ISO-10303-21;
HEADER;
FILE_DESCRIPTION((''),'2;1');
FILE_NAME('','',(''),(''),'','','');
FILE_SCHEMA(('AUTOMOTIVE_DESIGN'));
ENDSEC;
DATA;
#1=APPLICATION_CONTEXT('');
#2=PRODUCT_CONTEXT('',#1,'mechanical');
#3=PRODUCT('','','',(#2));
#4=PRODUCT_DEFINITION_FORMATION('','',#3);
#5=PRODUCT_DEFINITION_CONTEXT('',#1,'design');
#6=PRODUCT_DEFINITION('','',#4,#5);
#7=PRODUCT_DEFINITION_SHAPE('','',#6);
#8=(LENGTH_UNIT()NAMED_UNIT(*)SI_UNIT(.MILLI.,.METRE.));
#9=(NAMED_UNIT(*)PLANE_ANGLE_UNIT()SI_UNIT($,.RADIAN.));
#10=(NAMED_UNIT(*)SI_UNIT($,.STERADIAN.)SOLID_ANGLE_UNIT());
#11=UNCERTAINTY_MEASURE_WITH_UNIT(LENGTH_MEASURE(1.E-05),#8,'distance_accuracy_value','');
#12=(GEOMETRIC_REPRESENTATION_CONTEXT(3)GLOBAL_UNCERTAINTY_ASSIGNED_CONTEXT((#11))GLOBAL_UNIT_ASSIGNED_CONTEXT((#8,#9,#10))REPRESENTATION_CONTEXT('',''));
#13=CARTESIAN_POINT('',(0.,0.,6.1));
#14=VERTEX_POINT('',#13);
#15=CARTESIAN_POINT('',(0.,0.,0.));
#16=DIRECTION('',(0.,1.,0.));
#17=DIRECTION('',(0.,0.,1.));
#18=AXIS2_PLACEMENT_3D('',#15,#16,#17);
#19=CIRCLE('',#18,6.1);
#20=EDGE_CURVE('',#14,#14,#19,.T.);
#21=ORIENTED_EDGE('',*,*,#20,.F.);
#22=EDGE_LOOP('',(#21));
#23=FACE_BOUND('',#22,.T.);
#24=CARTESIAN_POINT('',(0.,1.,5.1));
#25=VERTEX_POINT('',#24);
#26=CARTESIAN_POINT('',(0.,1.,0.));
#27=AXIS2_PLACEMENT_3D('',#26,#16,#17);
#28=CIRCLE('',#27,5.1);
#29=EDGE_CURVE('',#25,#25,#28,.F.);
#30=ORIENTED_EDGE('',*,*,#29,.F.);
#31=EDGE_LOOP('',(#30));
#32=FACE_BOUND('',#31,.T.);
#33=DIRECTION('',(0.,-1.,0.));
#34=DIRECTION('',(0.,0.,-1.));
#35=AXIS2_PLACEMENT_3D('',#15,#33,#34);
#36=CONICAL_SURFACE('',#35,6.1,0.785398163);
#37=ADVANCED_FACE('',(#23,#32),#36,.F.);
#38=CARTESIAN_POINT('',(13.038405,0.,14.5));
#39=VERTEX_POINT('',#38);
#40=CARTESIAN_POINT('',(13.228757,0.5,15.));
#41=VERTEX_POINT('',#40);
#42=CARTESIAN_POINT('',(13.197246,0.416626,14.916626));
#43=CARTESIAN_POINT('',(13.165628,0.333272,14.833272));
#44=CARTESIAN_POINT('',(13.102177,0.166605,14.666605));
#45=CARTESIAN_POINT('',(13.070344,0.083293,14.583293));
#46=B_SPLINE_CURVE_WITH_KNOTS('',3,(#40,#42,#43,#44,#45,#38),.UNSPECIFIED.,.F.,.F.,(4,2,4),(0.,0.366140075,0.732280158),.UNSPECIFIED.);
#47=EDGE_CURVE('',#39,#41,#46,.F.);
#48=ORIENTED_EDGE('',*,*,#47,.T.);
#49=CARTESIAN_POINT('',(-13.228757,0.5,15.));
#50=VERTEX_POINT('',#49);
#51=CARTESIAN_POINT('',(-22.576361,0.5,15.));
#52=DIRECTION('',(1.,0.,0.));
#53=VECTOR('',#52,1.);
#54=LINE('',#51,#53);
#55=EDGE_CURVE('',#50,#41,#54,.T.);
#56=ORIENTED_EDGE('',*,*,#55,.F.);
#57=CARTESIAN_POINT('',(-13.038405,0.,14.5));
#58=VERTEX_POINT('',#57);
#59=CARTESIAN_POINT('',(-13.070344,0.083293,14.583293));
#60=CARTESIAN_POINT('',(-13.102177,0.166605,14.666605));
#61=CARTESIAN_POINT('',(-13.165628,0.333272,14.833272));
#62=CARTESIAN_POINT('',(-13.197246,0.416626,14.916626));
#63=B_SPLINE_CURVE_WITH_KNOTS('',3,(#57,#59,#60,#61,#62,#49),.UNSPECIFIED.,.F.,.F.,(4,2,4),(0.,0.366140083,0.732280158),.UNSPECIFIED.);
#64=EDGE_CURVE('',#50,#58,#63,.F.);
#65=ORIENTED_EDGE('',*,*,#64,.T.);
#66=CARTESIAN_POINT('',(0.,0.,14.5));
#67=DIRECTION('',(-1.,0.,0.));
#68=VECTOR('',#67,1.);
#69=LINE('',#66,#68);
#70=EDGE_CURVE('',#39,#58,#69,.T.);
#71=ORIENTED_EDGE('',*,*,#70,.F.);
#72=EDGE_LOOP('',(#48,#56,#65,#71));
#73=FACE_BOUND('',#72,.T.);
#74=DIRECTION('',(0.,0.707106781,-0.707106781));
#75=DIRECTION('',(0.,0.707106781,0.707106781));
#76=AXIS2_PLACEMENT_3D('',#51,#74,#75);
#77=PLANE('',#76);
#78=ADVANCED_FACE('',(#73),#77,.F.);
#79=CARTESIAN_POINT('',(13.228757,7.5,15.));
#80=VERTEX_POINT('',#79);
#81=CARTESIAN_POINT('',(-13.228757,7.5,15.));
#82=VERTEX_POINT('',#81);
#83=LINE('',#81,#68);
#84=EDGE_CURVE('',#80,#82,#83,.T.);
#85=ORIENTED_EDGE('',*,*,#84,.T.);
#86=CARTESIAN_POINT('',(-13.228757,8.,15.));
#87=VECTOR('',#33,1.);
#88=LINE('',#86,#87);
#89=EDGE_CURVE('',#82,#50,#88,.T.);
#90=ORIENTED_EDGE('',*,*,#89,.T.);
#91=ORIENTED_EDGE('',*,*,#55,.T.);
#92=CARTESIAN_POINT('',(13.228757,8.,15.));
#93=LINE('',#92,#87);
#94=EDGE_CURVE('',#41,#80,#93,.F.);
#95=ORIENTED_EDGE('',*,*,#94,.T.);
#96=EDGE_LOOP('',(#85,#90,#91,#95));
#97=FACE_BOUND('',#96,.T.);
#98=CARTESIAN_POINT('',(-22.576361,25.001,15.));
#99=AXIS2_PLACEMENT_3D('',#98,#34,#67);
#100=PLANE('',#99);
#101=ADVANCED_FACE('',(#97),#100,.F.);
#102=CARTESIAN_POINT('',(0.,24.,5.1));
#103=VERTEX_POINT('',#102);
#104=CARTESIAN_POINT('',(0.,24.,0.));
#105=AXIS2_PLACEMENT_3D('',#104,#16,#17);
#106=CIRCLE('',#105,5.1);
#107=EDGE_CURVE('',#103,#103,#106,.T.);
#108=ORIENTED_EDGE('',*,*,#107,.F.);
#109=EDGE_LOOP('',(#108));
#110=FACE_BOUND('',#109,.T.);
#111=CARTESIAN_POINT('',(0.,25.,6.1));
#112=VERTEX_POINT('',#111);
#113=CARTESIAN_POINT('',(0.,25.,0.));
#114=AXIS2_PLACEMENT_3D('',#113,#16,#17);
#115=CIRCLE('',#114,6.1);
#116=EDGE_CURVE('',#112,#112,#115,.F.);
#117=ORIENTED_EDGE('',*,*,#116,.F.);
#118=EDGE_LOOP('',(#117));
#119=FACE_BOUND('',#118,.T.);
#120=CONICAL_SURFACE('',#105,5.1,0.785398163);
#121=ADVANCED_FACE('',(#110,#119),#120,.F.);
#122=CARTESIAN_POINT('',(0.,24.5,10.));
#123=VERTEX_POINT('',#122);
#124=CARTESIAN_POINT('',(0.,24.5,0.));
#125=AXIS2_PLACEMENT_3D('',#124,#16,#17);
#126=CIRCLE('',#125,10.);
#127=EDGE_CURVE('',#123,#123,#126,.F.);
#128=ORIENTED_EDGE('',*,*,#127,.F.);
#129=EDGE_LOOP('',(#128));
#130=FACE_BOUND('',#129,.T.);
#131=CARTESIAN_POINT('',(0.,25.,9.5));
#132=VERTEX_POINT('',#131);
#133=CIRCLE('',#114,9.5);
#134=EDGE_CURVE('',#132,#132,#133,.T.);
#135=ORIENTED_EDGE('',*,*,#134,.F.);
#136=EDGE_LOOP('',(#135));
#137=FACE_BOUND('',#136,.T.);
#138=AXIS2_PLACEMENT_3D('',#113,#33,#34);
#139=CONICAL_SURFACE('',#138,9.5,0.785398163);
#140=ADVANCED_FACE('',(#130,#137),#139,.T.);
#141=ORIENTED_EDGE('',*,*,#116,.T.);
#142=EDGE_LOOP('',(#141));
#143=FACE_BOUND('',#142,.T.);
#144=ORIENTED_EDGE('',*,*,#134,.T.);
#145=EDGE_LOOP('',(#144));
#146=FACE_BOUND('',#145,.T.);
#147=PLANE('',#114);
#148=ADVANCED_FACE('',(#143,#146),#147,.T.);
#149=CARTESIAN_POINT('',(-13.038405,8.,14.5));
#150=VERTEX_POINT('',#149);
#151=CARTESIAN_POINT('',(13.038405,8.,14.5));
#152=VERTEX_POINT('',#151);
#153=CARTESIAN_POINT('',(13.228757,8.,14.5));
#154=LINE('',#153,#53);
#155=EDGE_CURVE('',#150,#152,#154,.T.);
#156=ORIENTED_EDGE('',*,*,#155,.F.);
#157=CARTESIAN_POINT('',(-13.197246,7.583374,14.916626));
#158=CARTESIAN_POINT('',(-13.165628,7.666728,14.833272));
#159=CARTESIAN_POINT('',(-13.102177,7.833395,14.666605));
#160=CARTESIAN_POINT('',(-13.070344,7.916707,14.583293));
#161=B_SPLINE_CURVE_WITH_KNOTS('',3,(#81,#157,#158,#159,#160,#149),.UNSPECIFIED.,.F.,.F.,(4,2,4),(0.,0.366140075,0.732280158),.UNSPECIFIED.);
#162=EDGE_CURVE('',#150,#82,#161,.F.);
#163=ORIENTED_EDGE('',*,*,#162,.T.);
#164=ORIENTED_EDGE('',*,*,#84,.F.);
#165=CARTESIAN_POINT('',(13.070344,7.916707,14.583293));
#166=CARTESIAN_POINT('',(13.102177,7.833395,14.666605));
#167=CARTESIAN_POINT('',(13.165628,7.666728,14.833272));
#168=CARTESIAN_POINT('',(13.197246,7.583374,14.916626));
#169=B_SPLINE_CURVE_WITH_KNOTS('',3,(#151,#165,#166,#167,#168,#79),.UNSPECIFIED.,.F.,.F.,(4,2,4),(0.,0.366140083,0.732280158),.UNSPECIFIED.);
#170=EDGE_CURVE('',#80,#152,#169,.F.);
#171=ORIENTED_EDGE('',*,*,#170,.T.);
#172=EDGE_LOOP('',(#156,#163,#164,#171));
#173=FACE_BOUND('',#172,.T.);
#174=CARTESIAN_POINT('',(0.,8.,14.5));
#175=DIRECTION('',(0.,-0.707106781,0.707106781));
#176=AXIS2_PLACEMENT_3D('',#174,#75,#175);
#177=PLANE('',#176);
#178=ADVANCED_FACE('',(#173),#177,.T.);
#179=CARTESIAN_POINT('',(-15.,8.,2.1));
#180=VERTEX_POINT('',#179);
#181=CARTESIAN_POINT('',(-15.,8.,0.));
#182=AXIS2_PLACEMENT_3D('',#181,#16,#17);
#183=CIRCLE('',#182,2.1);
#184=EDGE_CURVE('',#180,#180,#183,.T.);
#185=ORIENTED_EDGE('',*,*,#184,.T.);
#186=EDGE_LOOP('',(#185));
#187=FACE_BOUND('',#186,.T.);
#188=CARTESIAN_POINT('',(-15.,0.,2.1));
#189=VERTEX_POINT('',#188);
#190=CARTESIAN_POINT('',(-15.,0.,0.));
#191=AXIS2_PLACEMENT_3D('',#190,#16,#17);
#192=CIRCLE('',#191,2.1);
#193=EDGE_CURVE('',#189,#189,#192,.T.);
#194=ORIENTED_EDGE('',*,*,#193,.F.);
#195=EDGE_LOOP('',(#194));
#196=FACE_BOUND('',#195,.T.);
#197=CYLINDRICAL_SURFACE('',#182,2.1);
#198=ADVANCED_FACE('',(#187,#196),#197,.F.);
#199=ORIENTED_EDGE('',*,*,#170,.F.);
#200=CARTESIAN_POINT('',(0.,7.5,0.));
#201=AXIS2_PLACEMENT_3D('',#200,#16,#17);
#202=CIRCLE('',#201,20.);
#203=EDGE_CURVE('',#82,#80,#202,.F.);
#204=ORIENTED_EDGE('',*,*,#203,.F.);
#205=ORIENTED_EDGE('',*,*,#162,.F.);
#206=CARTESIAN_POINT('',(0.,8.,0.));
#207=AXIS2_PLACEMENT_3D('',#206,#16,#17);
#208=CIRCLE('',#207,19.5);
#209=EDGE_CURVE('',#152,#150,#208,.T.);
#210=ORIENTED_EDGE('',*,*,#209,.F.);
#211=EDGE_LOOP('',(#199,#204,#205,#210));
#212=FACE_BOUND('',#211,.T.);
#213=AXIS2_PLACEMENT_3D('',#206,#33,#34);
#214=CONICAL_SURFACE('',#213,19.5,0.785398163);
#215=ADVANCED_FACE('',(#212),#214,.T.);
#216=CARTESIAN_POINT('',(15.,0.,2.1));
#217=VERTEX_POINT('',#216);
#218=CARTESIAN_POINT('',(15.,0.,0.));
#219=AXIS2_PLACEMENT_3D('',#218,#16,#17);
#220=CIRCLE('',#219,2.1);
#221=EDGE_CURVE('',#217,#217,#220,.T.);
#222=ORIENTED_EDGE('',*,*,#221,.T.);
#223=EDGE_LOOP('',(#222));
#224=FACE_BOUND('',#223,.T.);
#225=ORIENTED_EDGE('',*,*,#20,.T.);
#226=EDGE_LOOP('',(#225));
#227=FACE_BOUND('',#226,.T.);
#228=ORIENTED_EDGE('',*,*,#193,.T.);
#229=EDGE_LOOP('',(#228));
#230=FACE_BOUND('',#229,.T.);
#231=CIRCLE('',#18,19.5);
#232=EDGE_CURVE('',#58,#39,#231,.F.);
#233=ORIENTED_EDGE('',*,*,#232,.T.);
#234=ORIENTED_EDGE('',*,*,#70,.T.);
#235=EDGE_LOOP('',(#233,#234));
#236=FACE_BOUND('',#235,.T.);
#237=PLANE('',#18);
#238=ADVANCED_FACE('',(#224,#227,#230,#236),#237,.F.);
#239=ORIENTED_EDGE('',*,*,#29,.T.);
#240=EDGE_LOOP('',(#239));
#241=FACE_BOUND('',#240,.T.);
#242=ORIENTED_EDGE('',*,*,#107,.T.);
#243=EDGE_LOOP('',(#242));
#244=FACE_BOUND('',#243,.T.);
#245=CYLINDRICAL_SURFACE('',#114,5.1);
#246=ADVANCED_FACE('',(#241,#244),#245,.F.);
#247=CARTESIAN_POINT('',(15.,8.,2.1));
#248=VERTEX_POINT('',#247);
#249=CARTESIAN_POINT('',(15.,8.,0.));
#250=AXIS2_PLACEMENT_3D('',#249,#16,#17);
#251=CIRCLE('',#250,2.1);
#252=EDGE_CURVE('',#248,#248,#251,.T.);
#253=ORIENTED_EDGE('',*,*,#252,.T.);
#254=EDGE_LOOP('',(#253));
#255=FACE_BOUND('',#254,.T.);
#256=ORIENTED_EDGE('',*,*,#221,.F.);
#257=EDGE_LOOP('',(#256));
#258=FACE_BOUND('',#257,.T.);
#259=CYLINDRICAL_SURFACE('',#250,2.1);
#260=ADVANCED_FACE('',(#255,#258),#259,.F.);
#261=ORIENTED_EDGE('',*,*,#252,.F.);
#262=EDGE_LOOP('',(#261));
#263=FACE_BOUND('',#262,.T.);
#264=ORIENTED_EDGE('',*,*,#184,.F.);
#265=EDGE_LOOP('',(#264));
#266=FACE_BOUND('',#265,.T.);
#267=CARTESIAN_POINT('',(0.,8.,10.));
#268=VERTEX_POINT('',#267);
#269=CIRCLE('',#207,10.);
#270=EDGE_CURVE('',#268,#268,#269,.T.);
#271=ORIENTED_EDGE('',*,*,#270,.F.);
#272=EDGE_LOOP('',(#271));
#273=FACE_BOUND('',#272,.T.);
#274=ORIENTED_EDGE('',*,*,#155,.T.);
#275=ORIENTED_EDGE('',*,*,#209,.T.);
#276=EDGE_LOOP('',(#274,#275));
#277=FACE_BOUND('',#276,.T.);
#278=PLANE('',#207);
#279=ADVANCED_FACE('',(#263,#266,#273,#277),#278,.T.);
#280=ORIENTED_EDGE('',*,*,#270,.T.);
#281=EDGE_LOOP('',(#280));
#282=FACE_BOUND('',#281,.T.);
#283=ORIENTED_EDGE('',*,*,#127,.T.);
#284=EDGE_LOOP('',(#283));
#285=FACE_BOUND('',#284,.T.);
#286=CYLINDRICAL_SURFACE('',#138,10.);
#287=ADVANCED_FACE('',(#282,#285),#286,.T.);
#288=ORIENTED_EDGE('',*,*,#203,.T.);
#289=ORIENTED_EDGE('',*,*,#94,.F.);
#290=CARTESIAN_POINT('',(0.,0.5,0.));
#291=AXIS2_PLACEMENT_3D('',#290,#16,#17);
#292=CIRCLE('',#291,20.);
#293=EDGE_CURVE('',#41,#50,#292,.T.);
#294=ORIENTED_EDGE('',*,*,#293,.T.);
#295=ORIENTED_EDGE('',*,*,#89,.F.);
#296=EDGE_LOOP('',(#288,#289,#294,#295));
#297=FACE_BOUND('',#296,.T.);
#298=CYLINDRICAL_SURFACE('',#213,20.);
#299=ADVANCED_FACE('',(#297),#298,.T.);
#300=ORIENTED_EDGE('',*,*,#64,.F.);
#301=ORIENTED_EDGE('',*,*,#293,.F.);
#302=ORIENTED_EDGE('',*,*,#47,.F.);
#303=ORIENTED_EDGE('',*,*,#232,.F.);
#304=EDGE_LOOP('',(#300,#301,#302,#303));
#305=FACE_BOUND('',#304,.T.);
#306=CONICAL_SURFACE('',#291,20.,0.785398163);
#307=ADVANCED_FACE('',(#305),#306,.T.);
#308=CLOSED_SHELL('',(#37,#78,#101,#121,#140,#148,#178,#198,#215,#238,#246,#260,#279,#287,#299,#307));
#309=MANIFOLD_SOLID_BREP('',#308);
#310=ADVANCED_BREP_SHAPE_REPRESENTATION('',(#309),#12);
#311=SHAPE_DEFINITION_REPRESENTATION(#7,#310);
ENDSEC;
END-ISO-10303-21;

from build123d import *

# Parameters (mm, degrees)
SKETCH1_R           = 20
BOSS_EXTRUDE1_DEPTH = 8
SKETCH2_R           = 10
BOSS_EXTRUDE2_DEPTH = 17
M12_TAPPED_HOLE1_D  = 10.2
CHAMFER1_SIZE       = 1
M5_TAPPED_HOLE1_D   = 4.2
CUT_EXTRUDE1_REACH  = 39.749
SKETCH7_W           = 49.327328333
SKETCH7_H           = 13.526029649
CHAMFER2_SIZE       = 0.5


with BuildPart() as part:
    # Sketch1 → Boss-Extrude1 (new body)
    with BuildSketch(Plane(origin=(0, 0, 0), x_dir=(1, 0, 0), z_dir=(0, 1, 0))):
        with Locations(Location((0, 0, 0), (0, 0, 270))):
            Circle(SKETCH1_R)
    extrude(amount=BOSS_EXTRUDE1_DEPTH)

    # Sketch2 → Boss-Extrude2 (add)
    with BuildSketch(Plane(origin=(0, 8, 0), x_dir=(1, 0, 0), z_dir=(0, 1, 0))):
        with Locations(Location((0, 0, 0), (0, 0, 270))):
            Circle(SKETCH2_R)
    extrude(amount=BOSS_EXTRUDE2_DEPTH)

    # M12 Tapped Hole1 (through all)
    with Locations(Plane(origin=(0, 25, 0), x_dir=(-1, 0, 0), z_dir=(0, 1, 0))):
        with Locations((0, 0)):
            Hole(M12_TAPPED_HOLE1_D / 2)

    # Chamfer1
    chamfer1_edges = [part.edges().sort_by_distance(p)[0] for p in [
        (-5.1, 25, 0),
        (-5.1, 0, 0),
    ]]
    chamfer(chamfer1_edges, length=CHAMFER1_SIZE)

    # M5 Tapped Hole1 (through all)
    with Locations(Plane(origin=(0, 8, 0), x_dir=(-1, 0, 0), z_dir=(0, 1, 0))):
        with Locations((15, 0), (-15, 0)):
            Hole(M5_TAPPED_HOLE1_D / 2)

    # Sketch7 → Cut-Extrude1 (cut, up to next)
    with BuildSketch(Plane.XZ, mode=Mode.PRIVATE) as cut_extrude1_sk1:
        with Locations((2.087303486, 21.763014825)):
            Rectangle(SKETCH7_W, SKETCH7_H)
    cut_extrude1_tool1 = extrude(cut_extrude1_sk1.sketch, amount=-CUT_EXTRUDE1_REACH, mode=Mode.PRIVATE) & part.part
    add(cut_extrude1_tool1.solids().sort_by_distance((2.087303, 0, 21.763015))[0], mode=Mode.SUBTRACT)

    # Chamfer2
    chamfer2_edges = [part.edges().sort_by_distance(p)[0] for p in [
        (0, 0, -20),
        (0, 8, 15),
        (0, 0, 15),
        (0, 8, -20),
        (0, 25, -10),
    ]]
    chamfer(chamfer2_edges, length=CHAMFER2_SIZE)


solid = part.part
